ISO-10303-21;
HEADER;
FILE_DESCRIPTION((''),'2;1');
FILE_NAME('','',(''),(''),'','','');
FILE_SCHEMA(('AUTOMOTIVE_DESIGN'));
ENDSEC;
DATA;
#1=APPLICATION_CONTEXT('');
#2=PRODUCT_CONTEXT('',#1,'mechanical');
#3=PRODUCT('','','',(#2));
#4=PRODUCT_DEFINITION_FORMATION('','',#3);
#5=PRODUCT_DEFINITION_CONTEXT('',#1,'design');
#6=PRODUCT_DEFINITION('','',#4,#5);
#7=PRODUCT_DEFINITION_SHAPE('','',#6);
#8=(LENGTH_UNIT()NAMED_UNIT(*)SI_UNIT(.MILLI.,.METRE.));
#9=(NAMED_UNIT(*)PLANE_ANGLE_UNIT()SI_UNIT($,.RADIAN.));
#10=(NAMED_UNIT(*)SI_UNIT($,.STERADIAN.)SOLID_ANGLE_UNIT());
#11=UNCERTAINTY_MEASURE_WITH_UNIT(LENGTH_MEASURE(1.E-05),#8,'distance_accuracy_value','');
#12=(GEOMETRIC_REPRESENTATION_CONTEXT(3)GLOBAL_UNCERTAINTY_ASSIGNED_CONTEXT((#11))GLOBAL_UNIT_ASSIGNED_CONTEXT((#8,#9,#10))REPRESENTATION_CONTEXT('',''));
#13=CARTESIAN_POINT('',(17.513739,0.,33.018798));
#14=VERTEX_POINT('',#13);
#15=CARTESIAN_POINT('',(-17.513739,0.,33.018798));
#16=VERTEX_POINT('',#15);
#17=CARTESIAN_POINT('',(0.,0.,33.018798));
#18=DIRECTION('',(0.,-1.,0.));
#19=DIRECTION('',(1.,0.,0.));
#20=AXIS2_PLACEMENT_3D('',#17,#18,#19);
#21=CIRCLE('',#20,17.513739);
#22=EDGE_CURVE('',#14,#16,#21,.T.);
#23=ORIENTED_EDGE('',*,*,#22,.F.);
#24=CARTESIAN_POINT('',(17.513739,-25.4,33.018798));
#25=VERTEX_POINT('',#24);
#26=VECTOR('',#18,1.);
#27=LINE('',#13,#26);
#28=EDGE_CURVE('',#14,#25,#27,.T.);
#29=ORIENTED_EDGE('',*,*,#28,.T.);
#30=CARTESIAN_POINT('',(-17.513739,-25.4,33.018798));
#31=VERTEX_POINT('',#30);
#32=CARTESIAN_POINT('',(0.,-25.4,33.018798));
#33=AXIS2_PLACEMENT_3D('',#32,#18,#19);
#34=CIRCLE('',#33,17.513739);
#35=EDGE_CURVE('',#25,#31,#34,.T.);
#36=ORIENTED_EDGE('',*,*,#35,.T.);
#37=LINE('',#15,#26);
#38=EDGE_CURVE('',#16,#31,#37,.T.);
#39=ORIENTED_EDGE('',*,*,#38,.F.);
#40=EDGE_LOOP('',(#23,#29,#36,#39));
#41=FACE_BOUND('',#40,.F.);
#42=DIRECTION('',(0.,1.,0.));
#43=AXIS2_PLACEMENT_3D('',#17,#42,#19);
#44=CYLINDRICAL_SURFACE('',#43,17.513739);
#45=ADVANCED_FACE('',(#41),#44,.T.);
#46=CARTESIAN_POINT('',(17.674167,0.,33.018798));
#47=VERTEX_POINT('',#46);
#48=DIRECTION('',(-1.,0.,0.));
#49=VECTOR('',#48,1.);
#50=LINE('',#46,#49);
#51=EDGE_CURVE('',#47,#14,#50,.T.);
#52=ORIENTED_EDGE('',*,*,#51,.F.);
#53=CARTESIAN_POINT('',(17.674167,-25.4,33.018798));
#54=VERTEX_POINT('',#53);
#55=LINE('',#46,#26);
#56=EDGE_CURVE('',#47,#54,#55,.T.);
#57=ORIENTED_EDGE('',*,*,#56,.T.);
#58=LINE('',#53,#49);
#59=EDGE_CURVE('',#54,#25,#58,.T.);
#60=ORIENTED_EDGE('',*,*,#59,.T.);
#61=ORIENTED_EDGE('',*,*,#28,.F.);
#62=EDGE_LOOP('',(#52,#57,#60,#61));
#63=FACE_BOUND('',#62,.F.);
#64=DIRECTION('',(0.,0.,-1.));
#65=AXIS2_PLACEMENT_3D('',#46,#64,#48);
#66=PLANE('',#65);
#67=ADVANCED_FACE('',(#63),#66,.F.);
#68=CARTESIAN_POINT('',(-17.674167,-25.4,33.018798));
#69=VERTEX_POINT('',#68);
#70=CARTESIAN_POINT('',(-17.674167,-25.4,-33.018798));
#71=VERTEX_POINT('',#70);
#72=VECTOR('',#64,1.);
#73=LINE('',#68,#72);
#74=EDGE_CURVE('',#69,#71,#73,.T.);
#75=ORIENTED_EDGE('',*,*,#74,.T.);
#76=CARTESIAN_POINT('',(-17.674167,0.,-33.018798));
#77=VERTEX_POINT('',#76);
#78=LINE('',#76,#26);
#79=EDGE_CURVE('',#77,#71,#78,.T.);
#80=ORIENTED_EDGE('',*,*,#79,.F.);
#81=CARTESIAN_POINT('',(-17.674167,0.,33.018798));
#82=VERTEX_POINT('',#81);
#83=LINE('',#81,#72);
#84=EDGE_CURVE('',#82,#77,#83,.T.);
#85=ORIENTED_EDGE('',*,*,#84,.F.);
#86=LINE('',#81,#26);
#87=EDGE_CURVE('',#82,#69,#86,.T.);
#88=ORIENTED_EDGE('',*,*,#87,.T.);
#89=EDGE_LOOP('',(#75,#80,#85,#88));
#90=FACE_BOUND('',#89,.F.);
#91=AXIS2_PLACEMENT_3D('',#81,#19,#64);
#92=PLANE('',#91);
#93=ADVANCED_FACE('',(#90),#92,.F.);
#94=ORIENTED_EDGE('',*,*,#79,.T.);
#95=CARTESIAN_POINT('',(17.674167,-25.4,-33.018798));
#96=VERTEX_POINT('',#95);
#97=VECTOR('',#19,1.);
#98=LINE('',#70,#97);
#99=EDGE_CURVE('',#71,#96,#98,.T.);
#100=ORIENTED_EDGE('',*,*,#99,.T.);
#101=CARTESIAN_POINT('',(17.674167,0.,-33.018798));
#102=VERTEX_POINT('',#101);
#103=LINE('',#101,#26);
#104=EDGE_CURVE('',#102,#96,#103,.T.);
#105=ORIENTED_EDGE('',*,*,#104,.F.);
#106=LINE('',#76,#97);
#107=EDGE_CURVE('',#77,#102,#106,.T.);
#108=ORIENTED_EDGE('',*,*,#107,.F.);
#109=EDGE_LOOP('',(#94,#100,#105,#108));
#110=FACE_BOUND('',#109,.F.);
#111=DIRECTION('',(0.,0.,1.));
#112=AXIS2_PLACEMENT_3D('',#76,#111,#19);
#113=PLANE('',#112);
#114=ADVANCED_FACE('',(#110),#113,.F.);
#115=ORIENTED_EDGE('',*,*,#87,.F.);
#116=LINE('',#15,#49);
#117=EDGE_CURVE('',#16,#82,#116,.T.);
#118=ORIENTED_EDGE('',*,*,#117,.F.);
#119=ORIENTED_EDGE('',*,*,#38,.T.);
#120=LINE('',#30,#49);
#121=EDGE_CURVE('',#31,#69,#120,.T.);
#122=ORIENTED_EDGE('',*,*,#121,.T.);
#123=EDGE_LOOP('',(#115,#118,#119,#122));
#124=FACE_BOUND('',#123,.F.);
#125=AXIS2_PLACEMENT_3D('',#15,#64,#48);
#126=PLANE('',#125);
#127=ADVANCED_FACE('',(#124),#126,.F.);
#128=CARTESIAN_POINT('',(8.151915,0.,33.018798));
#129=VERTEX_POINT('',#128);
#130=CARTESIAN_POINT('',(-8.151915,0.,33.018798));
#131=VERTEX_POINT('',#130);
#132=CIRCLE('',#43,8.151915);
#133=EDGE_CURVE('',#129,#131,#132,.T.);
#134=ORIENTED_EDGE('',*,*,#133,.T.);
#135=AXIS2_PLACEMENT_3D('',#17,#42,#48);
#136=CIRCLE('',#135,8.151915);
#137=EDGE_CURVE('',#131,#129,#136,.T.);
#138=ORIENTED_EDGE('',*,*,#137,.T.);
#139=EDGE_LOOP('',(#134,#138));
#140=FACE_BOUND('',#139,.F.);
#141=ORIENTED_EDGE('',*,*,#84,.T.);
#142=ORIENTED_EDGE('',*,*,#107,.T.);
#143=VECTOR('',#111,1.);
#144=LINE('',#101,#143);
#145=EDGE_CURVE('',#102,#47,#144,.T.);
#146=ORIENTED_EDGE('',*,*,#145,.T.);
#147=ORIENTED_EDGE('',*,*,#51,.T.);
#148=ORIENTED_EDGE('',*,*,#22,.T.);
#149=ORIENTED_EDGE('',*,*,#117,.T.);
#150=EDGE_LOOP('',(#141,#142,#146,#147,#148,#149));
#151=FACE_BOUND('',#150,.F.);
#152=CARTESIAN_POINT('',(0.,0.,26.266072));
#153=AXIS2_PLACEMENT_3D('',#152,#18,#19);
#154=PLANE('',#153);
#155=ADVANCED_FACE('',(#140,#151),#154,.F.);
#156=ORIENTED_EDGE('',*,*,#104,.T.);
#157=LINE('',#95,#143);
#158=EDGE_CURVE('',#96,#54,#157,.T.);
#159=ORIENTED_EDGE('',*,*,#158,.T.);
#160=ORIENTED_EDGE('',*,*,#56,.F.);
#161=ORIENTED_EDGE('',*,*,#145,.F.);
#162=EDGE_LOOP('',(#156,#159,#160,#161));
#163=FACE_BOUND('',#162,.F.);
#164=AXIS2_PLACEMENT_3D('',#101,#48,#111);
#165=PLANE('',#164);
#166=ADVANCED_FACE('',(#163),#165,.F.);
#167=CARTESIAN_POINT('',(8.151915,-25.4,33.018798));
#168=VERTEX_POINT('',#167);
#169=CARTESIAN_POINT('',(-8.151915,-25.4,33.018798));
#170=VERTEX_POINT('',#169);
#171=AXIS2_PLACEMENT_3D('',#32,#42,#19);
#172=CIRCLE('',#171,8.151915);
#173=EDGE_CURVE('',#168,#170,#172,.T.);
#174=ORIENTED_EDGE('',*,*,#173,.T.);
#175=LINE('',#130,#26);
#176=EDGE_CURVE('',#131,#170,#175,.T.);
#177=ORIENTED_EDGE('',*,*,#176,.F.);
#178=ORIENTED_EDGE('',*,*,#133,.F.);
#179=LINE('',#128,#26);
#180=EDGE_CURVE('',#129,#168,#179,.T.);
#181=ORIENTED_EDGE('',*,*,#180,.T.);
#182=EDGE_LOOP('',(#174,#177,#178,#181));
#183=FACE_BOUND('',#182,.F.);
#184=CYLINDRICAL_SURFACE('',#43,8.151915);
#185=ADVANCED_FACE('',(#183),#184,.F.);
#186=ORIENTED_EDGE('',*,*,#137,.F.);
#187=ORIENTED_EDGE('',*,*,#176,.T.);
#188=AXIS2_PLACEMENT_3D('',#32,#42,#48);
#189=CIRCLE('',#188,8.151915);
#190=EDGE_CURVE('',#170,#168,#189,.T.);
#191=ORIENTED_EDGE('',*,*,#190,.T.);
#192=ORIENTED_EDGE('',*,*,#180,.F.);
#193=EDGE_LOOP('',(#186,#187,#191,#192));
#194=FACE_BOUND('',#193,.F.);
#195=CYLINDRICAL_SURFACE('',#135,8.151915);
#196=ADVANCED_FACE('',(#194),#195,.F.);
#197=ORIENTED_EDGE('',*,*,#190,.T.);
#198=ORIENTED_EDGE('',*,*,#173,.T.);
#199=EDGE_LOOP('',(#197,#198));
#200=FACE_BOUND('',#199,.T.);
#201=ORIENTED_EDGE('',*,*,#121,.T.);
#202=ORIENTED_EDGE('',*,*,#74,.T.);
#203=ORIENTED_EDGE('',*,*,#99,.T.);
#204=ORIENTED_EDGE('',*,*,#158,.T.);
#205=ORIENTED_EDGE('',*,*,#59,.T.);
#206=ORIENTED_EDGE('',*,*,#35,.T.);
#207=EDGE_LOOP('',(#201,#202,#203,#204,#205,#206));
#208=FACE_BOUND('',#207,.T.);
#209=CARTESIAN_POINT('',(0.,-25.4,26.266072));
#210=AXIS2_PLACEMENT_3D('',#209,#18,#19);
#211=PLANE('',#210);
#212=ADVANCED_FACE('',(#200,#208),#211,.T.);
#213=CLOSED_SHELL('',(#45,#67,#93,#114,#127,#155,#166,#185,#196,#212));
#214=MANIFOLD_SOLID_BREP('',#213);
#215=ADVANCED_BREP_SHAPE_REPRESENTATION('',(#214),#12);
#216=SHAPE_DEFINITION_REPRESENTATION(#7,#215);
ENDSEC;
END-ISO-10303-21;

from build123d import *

# Parameters (mm, degrees)
F1_DEPTH = 25.4


with BuildPart() as f1:
    # F0 (on Front) → F1 (new body)
    with BuildSketch(Plane.XZ):
        with BuildLine():
            Line((17.5137386897, 33.018797636), (8.151915001, 33.018797636))
            ThreePointArc((8.151915001, 33.018797636), (0, 24.8668826351), (-8.151915001, 33.018797636))
            Line((-8.151915001, 33.018797636), (-17.5137386897, 33.018797636))
            ThreePointArc((-17.5137386897, 33.018797636), (0, 15.5050589463), (17.5137386897, 33.018797636))
        make_face()
        with BuildLine():
            ThreePointArc((-8.151915001, 33.018797636), (0, 41.170712637), (8.151915001, 33.018797636))
            Line((8.151915001, 33.018797636), (17.5137386897, 33.018797636))
            ThreePointArc((17.5137386897, 33.018797636), (0, 50.5325363258), (-17.5137386897, 33.018797636))
            Line((-17.5137386897, 33.018797636), (-8.151915001, 33.018797636))
        make_face()
        with BuildLine():
            Line((17.6741667092, 33.018797636), (17.5137386897, 33.018797636))
            ThreePointArc((17.5137386897, 33.018797636), (0, 15.5050589463), (-17.5137386897, 33.018797636))
            Line((-17.5137386897, 33.018797636), (-17.6741667092, 33.018797636))
            Line((-17.6741667092, 33.018797636), (-17.6741667092, -33.018797636))
            Line((-17.6741667092, -33.018797636), (17.6741667092, -33.018797636))
            Line((17.6741667092, -33.018797636), (17.6741667092, 33.018797636))
        make_face()
    extrude(amount=F1_DEPTH)


solid = f1.part
